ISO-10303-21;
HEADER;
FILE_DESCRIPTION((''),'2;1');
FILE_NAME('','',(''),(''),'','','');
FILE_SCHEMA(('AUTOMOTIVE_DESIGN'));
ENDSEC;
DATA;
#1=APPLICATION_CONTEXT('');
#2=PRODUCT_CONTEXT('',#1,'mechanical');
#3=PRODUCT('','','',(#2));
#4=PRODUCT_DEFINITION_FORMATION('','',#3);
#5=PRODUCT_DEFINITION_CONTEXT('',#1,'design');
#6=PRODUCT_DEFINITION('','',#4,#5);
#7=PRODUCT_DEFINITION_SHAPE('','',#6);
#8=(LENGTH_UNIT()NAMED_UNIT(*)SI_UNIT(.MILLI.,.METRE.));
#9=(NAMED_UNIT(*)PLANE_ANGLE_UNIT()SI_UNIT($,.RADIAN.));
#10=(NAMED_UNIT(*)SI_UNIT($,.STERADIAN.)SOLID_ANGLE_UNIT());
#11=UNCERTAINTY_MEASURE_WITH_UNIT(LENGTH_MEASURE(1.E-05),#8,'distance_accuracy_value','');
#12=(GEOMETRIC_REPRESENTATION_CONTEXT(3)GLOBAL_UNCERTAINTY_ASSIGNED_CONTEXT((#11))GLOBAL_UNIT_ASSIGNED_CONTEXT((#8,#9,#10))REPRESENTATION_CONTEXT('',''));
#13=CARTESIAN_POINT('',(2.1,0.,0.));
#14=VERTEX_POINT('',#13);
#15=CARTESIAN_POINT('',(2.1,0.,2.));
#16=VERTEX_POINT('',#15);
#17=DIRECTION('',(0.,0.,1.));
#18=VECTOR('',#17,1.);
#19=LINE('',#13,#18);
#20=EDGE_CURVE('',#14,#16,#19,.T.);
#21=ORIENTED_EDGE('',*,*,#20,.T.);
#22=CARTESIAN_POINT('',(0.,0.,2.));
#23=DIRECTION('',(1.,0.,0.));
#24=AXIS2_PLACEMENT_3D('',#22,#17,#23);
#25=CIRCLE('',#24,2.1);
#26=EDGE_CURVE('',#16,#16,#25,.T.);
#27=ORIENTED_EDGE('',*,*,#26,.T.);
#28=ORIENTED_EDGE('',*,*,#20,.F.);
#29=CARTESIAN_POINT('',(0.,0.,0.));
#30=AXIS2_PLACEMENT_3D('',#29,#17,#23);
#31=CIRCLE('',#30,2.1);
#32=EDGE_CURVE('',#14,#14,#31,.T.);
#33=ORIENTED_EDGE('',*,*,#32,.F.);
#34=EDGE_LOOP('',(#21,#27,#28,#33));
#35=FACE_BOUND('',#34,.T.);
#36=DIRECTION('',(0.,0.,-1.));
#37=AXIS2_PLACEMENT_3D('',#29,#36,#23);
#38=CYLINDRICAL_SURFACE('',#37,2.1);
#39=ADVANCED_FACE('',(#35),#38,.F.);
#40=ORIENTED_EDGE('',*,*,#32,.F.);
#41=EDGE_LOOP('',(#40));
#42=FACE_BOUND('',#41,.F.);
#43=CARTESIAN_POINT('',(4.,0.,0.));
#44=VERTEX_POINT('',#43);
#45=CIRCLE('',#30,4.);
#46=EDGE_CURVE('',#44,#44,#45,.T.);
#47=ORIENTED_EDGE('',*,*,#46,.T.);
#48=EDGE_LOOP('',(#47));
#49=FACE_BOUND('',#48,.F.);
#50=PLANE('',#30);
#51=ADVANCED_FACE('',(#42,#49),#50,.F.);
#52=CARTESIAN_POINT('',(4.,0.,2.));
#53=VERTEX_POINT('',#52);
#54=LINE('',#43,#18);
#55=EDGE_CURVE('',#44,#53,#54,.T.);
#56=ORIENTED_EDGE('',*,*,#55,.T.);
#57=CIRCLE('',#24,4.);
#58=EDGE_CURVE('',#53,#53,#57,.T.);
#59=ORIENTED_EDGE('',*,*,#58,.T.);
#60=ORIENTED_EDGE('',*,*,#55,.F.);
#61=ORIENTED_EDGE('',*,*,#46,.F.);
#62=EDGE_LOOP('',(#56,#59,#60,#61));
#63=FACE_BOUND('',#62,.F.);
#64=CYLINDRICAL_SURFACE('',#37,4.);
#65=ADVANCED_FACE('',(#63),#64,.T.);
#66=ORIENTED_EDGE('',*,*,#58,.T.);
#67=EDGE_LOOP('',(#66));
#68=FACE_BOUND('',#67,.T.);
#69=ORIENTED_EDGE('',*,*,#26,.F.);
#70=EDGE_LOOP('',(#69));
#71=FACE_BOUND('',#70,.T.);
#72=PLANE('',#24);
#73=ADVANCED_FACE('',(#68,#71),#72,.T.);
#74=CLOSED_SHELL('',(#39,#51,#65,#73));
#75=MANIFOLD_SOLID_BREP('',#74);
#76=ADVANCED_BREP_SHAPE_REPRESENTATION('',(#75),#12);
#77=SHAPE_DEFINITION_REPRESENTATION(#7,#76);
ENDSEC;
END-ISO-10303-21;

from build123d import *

# Parameters (mm, degrees)
CYLINDER029_R     = 2.1
CYLINDER029_DEPTH = 2
CYLINDER028_R     = 4
CYLINDER028_DEPTH = 2


with BuildPart() as cylinder029:
    # Cylinder029 → Cylinder029 (new body)
    with BuildSketch(Plane.XY):
        Circle(CYLINDER029_R)
    extrude(amount=CYLINDER029_DEPTH)


with BuildPart() as spacer:
    # Cylinder028 → Cylinder028 (new body)
    with BuildSketch(Plane.XY):
        Circle(CYLINDER028_R)
    extrude(amount=CYLINDER028_DEPTH)

    # Cut028006004005011004003001010002018: cut Cylinder029
    add(cylinder029.part, mode=Mode.SUBTRACT)


solid = spacer.part
